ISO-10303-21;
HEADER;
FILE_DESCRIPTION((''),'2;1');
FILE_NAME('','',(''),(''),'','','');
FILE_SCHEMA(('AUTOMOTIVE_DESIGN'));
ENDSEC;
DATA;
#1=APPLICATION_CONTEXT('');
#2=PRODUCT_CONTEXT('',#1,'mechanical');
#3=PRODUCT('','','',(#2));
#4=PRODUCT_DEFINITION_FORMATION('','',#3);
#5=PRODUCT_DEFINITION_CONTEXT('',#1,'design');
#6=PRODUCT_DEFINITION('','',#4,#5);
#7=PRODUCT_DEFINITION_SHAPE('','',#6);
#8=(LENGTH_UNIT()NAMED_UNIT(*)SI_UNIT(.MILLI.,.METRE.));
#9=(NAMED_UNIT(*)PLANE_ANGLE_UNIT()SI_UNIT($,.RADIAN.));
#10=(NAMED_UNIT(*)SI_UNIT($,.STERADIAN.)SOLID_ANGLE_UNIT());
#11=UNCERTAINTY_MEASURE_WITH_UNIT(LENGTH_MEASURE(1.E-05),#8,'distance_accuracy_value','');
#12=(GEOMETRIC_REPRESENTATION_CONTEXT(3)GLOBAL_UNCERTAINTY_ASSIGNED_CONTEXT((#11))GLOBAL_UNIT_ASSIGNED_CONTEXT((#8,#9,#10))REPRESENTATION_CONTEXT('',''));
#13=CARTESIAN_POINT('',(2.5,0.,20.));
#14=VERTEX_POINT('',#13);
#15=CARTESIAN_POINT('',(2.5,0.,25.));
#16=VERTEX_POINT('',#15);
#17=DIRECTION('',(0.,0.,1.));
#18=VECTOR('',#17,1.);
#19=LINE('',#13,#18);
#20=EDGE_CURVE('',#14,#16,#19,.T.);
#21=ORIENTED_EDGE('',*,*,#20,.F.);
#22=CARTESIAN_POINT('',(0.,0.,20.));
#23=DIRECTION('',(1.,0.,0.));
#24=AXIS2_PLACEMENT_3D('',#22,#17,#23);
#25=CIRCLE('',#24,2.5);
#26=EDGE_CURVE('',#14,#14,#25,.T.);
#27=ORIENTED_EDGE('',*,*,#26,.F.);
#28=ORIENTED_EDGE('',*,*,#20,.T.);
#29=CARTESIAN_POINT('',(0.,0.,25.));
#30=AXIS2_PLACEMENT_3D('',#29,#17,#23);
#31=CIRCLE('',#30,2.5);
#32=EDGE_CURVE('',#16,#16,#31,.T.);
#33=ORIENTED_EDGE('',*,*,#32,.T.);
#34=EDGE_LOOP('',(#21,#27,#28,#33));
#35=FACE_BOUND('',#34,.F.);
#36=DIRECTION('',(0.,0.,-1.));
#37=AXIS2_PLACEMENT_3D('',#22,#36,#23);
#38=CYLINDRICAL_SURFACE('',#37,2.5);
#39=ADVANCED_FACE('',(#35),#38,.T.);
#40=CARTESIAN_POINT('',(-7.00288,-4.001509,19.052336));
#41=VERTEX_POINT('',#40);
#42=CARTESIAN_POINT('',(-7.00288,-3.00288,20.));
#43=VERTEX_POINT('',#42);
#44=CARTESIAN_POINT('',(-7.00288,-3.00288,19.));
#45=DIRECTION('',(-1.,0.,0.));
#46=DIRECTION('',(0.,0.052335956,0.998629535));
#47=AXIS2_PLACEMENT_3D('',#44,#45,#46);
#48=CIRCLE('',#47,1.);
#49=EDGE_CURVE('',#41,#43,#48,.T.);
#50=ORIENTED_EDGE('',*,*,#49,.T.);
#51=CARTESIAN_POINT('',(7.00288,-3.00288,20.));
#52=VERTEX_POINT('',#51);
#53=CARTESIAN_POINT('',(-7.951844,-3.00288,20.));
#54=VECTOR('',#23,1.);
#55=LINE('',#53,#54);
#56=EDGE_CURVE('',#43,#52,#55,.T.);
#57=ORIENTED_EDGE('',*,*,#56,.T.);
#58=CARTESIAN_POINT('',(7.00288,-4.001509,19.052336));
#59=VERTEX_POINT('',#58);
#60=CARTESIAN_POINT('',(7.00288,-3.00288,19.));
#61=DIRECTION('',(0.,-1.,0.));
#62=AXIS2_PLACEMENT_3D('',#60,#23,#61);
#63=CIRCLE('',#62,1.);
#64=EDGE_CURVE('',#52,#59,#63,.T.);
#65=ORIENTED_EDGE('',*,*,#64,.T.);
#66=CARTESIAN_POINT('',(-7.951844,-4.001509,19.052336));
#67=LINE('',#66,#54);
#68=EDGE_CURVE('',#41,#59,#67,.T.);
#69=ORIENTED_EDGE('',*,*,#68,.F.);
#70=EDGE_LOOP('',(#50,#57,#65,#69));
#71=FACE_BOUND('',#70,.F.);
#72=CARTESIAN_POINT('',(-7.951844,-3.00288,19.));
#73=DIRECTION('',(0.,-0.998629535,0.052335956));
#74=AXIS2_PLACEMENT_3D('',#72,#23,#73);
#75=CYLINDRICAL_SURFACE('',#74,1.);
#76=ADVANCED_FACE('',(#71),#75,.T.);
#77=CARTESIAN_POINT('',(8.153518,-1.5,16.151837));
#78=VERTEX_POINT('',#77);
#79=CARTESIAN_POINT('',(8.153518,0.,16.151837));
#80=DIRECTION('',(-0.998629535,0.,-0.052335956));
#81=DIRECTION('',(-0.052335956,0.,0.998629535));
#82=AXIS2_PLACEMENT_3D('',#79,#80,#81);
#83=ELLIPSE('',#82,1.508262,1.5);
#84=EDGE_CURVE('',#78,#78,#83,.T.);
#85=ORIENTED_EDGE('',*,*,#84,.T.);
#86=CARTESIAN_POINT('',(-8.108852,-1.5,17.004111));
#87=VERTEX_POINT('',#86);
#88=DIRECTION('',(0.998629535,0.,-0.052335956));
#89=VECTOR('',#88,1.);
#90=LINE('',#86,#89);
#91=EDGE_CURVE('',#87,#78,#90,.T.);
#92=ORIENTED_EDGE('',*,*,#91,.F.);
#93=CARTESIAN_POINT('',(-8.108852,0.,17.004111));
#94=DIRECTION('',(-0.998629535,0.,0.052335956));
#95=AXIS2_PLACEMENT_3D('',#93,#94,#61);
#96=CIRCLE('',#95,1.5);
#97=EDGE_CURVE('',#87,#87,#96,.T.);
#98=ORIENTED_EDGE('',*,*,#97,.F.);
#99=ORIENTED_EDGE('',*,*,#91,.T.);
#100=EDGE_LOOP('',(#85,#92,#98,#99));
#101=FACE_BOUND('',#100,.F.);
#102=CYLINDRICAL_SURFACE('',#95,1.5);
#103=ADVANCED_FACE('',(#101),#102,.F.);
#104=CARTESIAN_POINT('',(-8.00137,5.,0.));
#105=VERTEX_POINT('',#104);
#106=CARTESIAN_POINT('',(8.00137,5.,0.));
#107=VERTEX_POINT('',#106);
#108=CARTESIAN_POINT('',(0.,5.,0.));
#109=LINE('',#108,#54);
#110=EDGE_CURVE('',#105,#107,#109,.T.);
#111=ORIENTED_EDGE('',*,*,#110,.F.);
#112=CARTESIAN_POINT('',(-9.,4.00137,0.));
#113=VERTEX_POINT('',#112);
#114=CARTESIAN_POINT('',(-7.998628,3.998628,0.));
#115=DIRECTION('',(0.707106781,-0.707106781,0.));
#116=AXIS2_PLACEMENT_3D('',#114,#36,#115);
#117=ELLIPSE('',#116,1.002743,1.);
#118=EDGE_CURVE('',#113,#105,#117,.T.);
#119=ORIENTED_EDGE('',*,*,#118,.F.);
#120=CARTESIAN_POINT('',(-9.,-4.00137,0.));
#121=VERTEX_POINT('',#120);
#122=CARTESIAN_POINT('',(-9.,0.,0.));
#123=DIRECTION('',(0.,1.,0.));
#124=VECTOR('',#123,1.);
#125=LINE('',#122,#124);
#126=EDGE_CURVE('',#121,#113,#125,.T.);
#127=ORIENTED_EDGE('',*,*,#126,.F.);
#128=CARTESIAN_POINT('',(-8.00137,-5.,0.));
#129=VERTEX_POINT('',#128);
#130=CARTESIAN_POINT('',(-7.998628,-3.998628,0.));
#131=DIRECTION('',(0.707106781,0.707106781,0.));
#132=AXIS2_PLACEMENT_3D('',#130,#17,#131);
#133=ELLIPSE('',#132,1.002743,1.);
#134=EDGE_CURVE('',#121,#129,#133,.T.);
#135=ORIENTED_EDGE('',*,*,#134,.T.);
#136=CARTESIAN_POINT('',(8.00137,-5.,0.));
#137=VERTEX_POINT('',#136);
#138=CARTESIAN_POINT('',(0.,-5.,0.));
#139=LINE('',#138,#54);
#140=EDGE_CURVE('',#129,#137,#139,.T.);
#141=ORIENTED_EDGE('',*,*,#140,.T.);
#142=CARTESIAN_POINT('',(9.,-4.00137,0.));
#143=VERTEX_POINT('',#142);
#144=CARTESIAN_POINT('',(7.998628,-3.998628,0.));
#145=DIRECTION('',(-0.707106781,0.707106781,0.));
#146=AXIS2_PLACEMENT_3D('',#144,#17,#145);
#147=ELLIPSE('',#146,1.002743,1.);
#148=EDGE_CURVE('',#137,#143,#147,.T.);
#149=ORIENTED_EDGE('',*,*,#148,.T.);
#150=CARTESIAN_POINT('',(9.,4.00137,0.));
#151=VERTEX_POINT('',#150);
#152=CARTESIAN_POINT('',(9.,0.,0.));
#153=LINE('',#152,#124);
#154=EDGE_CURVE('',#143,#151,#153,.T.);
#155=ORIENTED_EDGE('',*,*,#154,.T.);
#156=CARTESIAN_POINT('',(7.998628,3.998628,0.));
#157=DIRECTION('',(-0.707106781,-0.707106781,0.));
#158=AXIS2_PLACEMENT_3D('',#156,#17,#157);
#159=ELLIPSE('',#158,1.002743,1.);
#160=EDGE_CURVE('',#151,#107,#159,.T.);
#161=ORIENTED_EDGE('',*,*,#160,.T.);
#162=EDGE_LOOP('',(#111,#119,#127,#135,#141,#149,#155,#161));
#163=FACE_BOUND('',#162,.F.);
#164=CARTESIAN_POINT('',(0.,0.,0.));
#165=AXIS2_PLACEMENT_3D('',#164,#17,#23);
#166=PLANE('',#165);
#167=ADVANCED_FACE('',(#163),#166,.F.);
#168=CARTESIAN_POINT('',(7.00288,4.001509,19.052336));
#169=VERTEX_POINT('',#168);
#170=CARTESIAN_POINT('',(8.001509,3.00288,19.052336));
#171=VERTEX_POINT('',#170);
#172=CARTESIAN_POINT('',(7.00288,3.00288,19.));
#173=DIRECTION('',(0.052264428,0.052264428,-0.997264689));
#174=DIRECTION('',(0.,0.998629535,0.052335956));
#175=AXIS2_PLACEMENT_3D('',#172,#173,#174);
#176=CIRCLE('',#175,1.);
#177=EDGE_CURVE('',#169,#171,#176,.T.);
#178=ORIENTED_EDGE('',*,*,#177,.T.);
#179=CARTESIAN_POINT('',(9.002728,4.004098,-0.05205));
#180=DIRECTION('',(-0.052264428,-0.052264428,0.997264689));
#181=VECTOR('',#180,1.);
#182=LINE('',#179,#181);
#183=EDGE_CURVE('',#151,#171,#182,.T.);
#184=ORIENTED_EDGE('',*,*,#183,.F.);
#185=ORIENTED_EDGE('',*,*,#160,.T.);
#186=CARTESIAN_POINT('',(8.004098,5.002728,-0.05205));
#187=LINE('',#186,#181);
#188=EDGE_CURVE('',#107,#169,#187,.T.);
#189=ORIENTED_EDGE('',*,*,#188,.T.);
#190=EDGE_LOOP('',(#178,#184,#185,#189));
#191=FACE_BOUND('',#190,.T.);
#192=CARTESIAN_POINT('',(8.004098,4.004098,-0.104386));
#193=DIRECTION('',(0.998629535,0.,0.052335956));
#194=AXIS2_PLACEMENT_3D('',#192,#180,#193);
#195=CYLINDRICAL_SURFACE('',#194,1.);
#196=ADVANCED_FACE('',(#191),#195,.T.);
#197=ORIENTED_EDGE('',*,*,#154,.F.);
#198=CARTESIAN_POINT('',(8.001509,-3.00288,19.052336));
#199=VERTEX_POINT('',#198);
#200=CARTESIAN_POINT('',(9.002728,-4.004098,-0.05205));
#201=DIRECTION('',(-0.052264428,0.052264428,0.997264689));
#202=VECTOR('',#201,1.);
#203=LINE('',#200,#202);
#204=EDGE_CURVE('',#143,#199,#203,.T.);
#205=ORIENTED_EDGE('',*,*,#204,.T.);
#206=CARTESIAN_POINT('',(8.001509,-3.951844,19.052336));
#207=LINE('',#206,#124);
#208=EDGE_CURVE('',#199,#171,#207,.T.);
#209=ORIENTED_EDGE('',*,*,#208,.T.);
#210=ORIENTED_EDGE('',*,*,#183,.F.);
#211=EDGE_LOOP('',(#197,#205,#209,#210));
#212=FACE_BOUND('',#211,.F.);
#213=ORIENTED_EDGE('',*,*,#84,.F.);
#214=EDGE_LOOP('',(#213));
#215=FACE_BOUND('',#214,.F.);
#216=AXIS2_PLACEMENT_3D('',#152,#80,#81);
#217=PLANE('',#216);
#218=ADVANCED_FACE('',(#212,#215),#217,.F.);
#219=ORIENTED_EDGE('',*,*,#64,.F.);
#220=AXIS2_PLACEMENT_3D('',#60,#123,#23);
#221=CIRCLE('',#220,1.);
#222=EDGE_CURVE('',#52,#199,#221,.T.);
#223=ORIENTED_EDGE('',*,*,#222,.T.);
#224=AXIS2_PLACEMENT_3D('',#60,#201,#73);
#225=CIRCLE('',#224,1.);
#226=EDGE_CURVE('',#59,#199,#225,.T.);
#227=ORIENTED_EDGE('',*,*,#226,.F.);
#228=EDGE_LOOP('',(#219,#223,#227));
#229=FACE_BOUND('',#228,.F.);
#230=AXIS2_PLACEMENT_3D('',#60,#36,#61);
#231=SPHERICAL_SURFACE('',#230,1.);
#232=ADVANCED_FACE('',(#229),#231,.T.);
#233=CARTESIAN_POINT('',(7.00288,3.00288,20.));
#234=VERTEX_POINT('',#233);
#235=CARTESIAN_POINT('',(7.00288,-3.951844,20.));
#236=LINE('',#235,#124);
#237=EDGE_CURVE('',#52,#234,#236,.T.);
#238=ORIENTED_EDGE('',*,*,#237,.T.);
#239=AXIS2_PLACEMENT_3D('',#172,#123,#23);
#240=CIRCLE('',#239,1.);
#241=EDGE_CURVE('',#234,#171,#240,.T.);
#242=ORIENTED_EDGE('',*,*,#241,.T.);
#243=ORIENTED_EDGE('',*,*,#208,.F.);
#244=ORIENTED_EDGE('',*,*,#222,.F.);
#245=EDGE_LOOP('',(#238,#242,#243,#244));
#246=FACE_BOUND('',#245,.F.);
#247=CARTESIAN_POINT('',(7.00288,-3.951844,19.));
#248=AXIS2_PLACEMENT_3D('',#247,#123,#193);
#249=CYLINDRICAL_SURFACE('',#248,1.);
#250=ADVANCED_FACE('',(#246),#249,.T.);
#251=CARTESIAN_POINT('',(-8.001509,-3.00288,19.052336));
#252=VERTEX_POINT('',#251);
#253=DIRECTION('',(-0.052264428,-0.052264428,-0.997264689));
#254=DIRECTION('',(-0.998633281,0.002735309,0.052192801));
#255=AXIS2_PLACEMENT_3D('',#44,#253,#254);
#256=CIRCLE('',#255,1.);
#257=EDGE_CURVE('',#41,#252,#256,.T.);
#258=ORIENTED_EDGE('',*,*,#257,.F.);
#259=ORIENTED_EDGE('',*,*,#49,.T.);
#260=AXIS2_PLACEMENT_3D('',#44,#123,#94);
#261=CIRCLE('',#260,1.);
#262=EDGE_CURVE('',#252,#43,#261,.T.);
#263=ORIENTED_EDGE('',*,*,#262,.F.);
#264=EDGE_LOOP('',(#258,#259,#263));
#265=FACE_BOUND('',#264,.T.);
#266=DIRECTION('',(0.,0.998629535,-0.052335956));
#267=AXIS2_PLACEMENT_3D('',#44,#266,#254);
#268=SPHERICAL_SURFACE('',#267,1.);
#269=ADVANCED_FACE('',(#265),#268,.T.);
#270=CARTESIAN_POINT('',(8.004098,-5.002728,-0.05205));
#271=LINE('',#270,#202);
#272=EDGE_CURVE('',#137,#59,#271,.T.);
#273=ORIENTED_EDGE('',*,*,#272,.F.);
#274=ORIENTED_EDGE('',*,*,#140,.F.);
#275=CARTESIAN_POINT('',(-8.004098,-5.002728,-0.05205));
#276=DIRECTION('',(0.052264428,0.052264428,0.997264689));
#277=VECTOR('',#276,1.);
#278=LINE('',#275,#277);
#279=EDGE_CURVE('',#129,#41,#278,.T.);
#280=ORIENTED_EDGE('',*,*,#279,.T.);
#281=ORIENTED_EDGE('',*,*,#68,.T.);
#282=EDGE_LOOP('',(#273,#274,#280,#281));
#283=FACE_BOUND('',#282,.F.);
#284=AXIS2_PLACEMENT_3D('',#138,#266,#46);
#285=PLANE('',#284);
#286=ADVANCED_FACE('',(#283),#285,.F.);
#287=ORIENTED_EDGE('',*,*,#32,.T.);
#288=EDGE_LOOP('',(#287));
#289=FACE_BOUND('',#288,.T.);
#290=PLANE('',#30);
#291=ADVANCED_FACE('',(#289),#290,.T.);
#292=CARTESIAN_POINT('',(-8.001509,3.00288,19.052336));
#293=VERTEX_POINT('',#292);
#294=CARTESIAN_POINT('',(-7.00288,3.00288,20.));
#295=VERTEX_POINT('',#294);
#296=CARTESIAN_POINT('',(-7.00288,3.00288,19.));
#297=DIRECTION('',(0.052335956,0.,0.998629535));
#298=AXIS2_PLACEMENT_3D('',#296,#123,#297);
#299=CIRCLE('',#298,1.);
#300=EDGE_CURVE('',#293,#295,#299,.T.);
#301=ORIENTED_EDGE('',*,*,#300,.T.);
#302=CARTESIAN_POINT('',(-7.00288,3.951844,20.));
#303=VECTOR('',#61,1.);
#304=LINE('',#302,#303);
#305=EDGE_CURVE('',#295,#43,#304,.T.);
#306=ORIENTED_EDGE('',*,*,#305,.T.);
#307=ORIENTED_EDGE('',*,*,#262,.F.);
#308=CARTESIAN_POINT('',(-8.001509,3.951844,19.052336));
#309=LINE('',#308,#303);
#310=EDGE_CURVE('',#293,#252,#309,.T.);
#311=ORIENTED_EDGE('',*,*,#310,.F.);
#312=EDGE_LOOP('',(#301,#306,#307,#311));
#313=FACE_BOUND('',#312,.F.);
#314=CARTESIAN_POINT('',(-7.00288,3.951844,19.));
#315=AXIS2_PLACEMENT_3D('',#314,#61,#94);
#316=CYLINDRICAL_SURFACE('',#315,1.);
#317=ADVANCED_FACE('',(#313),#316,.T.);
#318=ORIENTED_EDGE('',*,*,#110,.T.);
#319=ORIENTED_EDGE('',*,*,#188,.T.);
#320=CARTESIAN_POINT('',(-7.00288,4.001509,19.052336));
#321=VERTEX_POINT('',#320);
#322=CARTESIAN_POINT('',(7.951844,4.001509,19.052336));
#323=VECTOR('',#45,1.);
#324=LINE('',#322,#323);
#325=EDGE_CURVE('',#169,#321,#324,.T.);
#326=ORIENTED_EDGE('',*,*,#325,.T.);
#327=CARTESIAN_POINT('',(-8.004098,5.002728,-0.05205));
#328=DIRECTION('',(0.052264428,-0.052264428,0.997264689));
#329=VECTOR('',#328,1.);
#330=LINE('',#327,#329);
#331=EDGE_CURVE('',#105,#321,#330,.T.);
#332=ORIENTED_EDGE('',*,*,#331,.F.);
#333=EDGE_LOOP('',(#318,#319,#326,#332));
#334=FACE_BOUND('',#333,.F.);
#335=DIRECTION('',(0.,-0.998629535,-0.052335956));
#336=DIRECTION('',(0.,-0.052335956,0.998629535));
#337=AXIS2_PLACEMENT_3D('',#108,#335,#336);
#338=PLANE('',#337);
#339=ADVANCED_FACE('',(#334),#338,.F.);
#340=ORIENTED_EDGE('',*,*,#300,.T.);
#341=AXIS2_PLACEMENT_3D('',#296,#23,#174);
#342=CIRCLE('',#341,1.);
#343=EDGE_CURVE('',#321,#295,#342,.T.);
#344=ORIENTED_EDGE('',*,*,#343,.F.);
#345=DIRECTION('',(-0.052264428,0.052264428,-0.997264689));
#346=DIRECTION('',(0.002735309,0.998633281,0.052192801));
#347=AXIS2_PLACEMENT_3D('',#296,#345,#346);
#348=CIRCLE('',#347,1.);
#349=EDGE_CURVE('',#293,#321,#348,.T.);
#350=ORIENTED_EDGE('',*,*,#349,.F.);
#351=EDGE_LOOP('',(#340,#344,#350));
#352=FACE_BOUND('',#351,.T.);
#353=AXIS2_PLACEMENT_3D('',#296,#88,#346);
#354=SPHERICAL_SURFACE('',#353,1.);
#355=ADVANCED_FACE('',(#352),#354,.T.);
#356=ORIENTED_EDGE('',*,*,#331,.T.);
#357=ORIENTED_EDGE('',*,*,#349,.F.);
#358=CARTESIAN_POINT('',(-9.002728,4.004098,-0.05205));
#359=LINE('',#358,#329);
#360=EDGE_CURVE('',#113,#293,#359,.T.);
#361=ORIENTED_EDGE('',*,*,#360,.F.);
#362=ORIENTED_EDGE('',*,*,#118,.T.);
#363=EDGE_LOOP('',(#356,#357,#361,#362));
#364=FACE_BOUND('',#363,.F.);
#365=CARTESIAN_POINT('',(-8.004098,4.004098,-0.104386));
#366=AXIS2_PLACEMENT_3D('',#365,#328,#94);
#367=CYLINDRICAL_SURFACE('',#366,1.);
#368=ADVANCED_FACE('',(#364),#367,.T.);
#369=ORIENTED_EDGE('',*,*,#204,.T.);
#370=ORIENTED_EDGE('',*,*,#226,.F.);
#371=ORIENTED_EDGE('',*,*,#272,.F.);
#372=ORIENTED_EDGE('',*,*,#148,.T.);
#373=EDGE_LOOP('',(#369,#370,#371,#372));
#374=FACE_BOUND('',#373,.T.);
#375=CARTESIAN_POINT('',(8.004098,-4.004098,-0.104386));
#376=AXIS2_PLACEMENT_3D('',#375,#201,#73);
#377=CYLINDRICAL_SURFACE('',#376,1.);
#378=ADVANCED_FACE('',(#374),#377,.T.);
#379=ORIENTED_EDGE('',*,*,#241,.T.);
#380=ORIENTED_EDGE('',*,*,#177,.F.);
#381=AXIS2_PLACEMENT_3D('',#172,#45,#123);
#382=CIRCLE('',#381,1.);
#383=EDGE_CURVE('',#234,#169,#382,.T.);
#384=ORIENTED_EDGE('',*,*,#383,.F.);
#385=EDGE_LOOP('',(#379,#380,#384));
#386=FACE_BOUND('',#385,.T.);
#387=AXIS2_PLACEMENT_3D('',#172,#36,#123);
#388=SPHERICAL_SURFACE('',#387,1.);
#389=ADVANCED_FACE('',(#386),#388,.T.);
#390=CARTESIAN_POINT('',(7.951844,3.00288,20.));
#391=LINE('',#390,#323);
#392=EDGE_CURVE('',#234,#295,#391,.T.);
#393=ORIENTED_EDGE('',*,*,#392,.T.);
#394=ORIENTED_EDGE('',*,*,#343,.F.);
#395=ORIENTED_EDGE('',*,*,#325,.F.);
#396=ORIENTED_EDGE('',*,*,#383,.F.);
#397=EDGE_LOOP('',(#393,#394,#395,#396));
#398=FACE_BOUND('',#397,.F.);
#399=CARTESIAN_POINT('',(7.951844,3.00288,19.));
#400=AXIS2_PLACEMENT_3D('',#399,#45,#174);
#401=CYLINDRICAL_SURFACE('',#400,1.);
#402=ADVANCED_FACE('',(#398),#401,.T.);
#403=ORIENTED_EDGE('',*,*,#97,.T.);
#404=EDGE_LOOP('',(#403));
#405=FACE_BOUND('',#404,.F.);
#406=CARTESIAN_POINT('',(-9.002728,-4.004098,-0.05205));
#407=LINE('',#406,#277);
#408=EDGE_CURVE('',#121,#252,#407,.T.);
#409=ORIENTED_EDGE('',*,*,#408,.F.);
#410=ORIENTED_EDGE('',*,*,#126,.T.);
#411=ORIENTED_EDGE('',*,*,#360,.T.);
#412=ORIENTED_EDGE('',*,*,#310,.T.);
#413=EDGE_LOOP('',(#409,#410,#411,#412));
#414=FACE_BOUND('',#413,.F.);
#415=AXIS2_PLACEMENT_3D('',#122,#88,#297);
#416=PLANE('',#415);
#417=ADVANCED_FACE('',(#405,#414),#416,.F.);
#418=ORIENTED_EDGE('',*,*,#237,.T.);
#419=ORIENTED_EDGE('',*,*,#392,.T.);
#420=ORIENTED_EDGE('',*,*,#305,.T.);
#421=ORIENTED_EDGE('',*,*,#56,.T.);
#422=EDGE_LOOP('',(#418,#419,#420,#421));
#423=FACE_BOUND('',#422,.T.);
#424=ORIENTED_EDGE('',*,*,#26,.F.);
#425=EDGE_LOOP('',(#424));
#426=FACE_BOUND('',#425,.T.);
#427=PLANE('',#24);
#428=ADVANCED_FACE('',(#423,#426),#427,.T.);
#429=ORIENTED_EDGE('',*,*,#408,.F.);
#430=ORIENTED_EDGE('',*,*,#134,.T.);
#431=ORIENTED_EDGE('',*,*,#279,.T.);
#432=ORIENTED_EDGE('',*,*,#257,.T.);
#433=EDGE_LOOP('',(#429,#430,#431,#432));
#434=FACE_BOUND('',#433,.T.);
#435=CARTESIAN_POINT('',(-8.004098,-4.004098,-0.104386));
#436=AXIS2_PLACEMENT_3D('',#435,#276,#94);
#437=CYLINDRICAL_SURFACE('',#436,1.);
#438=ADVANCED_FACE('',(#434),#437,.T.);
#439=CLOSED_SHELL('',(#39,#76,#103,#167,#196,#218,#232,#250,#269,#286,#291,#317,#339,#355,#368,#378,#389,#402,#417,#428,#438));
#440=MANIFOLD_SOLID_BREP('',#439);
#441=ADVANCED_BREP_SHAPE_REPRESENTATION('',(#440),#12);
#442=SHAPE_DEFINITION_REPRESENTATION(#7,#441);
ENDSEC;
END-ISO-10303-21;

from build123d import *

# Parameters (mm, degrees)
F0_W     = 18
F0_H     = 10
F1_DEPTH = 20
F1_TAPER = 3
F2_R     = 2.5
F3_DEPTH = 5
F5_R     = 1
F4_R     = 1.5
F6_DEPTH = 25.4


with BuildPart() as f1:
    # F0 (on Top) → F1 (new body)
    with BuildSketch(Plane.XY):
        Rectangle(F0_W, F0_H)
    extrude(amount=F1_DEPTH, taper=F1_TAPER)

    # F2 (on face) → F3 (join)
    with BuildSketch(Plane.XY.offset(20)):
        Circle(F2_R)
    extrude(amount=F3_DEPTH)

    # F5
    f5_edges = [f1.edges().sort_by_distance(p)[0] for p in [
        (8.475922, 4.475922, 10),
        (0, 3.951844, 20),
        (-8.475922, 4.475922, 10),
        (-7.951844, 0, 20),
        (-8.475922, -4.475922, 10),
        (8.475922, -4.475922, 10),
        (0, -3.951844, 20),
        (7.951844, 0, 20),
    ]]
    fillet(f5_edges, radius=F5_R)

    # F4 (on face) → F6 (cut)
    with BuildSketch(Plane(origin=(-8.9753485292, 0, 0.4703780847), x_dir=(0, -1, 0), z_dir=(-0.9986295348, 0, 0.0523359562))):
        with Locations((0, 16.5564233138)):
            Circle(F4_R)
    extrude(amount=-F6_DEPTH, mode=Mode.SUBTRACT)


solid = f1.part
